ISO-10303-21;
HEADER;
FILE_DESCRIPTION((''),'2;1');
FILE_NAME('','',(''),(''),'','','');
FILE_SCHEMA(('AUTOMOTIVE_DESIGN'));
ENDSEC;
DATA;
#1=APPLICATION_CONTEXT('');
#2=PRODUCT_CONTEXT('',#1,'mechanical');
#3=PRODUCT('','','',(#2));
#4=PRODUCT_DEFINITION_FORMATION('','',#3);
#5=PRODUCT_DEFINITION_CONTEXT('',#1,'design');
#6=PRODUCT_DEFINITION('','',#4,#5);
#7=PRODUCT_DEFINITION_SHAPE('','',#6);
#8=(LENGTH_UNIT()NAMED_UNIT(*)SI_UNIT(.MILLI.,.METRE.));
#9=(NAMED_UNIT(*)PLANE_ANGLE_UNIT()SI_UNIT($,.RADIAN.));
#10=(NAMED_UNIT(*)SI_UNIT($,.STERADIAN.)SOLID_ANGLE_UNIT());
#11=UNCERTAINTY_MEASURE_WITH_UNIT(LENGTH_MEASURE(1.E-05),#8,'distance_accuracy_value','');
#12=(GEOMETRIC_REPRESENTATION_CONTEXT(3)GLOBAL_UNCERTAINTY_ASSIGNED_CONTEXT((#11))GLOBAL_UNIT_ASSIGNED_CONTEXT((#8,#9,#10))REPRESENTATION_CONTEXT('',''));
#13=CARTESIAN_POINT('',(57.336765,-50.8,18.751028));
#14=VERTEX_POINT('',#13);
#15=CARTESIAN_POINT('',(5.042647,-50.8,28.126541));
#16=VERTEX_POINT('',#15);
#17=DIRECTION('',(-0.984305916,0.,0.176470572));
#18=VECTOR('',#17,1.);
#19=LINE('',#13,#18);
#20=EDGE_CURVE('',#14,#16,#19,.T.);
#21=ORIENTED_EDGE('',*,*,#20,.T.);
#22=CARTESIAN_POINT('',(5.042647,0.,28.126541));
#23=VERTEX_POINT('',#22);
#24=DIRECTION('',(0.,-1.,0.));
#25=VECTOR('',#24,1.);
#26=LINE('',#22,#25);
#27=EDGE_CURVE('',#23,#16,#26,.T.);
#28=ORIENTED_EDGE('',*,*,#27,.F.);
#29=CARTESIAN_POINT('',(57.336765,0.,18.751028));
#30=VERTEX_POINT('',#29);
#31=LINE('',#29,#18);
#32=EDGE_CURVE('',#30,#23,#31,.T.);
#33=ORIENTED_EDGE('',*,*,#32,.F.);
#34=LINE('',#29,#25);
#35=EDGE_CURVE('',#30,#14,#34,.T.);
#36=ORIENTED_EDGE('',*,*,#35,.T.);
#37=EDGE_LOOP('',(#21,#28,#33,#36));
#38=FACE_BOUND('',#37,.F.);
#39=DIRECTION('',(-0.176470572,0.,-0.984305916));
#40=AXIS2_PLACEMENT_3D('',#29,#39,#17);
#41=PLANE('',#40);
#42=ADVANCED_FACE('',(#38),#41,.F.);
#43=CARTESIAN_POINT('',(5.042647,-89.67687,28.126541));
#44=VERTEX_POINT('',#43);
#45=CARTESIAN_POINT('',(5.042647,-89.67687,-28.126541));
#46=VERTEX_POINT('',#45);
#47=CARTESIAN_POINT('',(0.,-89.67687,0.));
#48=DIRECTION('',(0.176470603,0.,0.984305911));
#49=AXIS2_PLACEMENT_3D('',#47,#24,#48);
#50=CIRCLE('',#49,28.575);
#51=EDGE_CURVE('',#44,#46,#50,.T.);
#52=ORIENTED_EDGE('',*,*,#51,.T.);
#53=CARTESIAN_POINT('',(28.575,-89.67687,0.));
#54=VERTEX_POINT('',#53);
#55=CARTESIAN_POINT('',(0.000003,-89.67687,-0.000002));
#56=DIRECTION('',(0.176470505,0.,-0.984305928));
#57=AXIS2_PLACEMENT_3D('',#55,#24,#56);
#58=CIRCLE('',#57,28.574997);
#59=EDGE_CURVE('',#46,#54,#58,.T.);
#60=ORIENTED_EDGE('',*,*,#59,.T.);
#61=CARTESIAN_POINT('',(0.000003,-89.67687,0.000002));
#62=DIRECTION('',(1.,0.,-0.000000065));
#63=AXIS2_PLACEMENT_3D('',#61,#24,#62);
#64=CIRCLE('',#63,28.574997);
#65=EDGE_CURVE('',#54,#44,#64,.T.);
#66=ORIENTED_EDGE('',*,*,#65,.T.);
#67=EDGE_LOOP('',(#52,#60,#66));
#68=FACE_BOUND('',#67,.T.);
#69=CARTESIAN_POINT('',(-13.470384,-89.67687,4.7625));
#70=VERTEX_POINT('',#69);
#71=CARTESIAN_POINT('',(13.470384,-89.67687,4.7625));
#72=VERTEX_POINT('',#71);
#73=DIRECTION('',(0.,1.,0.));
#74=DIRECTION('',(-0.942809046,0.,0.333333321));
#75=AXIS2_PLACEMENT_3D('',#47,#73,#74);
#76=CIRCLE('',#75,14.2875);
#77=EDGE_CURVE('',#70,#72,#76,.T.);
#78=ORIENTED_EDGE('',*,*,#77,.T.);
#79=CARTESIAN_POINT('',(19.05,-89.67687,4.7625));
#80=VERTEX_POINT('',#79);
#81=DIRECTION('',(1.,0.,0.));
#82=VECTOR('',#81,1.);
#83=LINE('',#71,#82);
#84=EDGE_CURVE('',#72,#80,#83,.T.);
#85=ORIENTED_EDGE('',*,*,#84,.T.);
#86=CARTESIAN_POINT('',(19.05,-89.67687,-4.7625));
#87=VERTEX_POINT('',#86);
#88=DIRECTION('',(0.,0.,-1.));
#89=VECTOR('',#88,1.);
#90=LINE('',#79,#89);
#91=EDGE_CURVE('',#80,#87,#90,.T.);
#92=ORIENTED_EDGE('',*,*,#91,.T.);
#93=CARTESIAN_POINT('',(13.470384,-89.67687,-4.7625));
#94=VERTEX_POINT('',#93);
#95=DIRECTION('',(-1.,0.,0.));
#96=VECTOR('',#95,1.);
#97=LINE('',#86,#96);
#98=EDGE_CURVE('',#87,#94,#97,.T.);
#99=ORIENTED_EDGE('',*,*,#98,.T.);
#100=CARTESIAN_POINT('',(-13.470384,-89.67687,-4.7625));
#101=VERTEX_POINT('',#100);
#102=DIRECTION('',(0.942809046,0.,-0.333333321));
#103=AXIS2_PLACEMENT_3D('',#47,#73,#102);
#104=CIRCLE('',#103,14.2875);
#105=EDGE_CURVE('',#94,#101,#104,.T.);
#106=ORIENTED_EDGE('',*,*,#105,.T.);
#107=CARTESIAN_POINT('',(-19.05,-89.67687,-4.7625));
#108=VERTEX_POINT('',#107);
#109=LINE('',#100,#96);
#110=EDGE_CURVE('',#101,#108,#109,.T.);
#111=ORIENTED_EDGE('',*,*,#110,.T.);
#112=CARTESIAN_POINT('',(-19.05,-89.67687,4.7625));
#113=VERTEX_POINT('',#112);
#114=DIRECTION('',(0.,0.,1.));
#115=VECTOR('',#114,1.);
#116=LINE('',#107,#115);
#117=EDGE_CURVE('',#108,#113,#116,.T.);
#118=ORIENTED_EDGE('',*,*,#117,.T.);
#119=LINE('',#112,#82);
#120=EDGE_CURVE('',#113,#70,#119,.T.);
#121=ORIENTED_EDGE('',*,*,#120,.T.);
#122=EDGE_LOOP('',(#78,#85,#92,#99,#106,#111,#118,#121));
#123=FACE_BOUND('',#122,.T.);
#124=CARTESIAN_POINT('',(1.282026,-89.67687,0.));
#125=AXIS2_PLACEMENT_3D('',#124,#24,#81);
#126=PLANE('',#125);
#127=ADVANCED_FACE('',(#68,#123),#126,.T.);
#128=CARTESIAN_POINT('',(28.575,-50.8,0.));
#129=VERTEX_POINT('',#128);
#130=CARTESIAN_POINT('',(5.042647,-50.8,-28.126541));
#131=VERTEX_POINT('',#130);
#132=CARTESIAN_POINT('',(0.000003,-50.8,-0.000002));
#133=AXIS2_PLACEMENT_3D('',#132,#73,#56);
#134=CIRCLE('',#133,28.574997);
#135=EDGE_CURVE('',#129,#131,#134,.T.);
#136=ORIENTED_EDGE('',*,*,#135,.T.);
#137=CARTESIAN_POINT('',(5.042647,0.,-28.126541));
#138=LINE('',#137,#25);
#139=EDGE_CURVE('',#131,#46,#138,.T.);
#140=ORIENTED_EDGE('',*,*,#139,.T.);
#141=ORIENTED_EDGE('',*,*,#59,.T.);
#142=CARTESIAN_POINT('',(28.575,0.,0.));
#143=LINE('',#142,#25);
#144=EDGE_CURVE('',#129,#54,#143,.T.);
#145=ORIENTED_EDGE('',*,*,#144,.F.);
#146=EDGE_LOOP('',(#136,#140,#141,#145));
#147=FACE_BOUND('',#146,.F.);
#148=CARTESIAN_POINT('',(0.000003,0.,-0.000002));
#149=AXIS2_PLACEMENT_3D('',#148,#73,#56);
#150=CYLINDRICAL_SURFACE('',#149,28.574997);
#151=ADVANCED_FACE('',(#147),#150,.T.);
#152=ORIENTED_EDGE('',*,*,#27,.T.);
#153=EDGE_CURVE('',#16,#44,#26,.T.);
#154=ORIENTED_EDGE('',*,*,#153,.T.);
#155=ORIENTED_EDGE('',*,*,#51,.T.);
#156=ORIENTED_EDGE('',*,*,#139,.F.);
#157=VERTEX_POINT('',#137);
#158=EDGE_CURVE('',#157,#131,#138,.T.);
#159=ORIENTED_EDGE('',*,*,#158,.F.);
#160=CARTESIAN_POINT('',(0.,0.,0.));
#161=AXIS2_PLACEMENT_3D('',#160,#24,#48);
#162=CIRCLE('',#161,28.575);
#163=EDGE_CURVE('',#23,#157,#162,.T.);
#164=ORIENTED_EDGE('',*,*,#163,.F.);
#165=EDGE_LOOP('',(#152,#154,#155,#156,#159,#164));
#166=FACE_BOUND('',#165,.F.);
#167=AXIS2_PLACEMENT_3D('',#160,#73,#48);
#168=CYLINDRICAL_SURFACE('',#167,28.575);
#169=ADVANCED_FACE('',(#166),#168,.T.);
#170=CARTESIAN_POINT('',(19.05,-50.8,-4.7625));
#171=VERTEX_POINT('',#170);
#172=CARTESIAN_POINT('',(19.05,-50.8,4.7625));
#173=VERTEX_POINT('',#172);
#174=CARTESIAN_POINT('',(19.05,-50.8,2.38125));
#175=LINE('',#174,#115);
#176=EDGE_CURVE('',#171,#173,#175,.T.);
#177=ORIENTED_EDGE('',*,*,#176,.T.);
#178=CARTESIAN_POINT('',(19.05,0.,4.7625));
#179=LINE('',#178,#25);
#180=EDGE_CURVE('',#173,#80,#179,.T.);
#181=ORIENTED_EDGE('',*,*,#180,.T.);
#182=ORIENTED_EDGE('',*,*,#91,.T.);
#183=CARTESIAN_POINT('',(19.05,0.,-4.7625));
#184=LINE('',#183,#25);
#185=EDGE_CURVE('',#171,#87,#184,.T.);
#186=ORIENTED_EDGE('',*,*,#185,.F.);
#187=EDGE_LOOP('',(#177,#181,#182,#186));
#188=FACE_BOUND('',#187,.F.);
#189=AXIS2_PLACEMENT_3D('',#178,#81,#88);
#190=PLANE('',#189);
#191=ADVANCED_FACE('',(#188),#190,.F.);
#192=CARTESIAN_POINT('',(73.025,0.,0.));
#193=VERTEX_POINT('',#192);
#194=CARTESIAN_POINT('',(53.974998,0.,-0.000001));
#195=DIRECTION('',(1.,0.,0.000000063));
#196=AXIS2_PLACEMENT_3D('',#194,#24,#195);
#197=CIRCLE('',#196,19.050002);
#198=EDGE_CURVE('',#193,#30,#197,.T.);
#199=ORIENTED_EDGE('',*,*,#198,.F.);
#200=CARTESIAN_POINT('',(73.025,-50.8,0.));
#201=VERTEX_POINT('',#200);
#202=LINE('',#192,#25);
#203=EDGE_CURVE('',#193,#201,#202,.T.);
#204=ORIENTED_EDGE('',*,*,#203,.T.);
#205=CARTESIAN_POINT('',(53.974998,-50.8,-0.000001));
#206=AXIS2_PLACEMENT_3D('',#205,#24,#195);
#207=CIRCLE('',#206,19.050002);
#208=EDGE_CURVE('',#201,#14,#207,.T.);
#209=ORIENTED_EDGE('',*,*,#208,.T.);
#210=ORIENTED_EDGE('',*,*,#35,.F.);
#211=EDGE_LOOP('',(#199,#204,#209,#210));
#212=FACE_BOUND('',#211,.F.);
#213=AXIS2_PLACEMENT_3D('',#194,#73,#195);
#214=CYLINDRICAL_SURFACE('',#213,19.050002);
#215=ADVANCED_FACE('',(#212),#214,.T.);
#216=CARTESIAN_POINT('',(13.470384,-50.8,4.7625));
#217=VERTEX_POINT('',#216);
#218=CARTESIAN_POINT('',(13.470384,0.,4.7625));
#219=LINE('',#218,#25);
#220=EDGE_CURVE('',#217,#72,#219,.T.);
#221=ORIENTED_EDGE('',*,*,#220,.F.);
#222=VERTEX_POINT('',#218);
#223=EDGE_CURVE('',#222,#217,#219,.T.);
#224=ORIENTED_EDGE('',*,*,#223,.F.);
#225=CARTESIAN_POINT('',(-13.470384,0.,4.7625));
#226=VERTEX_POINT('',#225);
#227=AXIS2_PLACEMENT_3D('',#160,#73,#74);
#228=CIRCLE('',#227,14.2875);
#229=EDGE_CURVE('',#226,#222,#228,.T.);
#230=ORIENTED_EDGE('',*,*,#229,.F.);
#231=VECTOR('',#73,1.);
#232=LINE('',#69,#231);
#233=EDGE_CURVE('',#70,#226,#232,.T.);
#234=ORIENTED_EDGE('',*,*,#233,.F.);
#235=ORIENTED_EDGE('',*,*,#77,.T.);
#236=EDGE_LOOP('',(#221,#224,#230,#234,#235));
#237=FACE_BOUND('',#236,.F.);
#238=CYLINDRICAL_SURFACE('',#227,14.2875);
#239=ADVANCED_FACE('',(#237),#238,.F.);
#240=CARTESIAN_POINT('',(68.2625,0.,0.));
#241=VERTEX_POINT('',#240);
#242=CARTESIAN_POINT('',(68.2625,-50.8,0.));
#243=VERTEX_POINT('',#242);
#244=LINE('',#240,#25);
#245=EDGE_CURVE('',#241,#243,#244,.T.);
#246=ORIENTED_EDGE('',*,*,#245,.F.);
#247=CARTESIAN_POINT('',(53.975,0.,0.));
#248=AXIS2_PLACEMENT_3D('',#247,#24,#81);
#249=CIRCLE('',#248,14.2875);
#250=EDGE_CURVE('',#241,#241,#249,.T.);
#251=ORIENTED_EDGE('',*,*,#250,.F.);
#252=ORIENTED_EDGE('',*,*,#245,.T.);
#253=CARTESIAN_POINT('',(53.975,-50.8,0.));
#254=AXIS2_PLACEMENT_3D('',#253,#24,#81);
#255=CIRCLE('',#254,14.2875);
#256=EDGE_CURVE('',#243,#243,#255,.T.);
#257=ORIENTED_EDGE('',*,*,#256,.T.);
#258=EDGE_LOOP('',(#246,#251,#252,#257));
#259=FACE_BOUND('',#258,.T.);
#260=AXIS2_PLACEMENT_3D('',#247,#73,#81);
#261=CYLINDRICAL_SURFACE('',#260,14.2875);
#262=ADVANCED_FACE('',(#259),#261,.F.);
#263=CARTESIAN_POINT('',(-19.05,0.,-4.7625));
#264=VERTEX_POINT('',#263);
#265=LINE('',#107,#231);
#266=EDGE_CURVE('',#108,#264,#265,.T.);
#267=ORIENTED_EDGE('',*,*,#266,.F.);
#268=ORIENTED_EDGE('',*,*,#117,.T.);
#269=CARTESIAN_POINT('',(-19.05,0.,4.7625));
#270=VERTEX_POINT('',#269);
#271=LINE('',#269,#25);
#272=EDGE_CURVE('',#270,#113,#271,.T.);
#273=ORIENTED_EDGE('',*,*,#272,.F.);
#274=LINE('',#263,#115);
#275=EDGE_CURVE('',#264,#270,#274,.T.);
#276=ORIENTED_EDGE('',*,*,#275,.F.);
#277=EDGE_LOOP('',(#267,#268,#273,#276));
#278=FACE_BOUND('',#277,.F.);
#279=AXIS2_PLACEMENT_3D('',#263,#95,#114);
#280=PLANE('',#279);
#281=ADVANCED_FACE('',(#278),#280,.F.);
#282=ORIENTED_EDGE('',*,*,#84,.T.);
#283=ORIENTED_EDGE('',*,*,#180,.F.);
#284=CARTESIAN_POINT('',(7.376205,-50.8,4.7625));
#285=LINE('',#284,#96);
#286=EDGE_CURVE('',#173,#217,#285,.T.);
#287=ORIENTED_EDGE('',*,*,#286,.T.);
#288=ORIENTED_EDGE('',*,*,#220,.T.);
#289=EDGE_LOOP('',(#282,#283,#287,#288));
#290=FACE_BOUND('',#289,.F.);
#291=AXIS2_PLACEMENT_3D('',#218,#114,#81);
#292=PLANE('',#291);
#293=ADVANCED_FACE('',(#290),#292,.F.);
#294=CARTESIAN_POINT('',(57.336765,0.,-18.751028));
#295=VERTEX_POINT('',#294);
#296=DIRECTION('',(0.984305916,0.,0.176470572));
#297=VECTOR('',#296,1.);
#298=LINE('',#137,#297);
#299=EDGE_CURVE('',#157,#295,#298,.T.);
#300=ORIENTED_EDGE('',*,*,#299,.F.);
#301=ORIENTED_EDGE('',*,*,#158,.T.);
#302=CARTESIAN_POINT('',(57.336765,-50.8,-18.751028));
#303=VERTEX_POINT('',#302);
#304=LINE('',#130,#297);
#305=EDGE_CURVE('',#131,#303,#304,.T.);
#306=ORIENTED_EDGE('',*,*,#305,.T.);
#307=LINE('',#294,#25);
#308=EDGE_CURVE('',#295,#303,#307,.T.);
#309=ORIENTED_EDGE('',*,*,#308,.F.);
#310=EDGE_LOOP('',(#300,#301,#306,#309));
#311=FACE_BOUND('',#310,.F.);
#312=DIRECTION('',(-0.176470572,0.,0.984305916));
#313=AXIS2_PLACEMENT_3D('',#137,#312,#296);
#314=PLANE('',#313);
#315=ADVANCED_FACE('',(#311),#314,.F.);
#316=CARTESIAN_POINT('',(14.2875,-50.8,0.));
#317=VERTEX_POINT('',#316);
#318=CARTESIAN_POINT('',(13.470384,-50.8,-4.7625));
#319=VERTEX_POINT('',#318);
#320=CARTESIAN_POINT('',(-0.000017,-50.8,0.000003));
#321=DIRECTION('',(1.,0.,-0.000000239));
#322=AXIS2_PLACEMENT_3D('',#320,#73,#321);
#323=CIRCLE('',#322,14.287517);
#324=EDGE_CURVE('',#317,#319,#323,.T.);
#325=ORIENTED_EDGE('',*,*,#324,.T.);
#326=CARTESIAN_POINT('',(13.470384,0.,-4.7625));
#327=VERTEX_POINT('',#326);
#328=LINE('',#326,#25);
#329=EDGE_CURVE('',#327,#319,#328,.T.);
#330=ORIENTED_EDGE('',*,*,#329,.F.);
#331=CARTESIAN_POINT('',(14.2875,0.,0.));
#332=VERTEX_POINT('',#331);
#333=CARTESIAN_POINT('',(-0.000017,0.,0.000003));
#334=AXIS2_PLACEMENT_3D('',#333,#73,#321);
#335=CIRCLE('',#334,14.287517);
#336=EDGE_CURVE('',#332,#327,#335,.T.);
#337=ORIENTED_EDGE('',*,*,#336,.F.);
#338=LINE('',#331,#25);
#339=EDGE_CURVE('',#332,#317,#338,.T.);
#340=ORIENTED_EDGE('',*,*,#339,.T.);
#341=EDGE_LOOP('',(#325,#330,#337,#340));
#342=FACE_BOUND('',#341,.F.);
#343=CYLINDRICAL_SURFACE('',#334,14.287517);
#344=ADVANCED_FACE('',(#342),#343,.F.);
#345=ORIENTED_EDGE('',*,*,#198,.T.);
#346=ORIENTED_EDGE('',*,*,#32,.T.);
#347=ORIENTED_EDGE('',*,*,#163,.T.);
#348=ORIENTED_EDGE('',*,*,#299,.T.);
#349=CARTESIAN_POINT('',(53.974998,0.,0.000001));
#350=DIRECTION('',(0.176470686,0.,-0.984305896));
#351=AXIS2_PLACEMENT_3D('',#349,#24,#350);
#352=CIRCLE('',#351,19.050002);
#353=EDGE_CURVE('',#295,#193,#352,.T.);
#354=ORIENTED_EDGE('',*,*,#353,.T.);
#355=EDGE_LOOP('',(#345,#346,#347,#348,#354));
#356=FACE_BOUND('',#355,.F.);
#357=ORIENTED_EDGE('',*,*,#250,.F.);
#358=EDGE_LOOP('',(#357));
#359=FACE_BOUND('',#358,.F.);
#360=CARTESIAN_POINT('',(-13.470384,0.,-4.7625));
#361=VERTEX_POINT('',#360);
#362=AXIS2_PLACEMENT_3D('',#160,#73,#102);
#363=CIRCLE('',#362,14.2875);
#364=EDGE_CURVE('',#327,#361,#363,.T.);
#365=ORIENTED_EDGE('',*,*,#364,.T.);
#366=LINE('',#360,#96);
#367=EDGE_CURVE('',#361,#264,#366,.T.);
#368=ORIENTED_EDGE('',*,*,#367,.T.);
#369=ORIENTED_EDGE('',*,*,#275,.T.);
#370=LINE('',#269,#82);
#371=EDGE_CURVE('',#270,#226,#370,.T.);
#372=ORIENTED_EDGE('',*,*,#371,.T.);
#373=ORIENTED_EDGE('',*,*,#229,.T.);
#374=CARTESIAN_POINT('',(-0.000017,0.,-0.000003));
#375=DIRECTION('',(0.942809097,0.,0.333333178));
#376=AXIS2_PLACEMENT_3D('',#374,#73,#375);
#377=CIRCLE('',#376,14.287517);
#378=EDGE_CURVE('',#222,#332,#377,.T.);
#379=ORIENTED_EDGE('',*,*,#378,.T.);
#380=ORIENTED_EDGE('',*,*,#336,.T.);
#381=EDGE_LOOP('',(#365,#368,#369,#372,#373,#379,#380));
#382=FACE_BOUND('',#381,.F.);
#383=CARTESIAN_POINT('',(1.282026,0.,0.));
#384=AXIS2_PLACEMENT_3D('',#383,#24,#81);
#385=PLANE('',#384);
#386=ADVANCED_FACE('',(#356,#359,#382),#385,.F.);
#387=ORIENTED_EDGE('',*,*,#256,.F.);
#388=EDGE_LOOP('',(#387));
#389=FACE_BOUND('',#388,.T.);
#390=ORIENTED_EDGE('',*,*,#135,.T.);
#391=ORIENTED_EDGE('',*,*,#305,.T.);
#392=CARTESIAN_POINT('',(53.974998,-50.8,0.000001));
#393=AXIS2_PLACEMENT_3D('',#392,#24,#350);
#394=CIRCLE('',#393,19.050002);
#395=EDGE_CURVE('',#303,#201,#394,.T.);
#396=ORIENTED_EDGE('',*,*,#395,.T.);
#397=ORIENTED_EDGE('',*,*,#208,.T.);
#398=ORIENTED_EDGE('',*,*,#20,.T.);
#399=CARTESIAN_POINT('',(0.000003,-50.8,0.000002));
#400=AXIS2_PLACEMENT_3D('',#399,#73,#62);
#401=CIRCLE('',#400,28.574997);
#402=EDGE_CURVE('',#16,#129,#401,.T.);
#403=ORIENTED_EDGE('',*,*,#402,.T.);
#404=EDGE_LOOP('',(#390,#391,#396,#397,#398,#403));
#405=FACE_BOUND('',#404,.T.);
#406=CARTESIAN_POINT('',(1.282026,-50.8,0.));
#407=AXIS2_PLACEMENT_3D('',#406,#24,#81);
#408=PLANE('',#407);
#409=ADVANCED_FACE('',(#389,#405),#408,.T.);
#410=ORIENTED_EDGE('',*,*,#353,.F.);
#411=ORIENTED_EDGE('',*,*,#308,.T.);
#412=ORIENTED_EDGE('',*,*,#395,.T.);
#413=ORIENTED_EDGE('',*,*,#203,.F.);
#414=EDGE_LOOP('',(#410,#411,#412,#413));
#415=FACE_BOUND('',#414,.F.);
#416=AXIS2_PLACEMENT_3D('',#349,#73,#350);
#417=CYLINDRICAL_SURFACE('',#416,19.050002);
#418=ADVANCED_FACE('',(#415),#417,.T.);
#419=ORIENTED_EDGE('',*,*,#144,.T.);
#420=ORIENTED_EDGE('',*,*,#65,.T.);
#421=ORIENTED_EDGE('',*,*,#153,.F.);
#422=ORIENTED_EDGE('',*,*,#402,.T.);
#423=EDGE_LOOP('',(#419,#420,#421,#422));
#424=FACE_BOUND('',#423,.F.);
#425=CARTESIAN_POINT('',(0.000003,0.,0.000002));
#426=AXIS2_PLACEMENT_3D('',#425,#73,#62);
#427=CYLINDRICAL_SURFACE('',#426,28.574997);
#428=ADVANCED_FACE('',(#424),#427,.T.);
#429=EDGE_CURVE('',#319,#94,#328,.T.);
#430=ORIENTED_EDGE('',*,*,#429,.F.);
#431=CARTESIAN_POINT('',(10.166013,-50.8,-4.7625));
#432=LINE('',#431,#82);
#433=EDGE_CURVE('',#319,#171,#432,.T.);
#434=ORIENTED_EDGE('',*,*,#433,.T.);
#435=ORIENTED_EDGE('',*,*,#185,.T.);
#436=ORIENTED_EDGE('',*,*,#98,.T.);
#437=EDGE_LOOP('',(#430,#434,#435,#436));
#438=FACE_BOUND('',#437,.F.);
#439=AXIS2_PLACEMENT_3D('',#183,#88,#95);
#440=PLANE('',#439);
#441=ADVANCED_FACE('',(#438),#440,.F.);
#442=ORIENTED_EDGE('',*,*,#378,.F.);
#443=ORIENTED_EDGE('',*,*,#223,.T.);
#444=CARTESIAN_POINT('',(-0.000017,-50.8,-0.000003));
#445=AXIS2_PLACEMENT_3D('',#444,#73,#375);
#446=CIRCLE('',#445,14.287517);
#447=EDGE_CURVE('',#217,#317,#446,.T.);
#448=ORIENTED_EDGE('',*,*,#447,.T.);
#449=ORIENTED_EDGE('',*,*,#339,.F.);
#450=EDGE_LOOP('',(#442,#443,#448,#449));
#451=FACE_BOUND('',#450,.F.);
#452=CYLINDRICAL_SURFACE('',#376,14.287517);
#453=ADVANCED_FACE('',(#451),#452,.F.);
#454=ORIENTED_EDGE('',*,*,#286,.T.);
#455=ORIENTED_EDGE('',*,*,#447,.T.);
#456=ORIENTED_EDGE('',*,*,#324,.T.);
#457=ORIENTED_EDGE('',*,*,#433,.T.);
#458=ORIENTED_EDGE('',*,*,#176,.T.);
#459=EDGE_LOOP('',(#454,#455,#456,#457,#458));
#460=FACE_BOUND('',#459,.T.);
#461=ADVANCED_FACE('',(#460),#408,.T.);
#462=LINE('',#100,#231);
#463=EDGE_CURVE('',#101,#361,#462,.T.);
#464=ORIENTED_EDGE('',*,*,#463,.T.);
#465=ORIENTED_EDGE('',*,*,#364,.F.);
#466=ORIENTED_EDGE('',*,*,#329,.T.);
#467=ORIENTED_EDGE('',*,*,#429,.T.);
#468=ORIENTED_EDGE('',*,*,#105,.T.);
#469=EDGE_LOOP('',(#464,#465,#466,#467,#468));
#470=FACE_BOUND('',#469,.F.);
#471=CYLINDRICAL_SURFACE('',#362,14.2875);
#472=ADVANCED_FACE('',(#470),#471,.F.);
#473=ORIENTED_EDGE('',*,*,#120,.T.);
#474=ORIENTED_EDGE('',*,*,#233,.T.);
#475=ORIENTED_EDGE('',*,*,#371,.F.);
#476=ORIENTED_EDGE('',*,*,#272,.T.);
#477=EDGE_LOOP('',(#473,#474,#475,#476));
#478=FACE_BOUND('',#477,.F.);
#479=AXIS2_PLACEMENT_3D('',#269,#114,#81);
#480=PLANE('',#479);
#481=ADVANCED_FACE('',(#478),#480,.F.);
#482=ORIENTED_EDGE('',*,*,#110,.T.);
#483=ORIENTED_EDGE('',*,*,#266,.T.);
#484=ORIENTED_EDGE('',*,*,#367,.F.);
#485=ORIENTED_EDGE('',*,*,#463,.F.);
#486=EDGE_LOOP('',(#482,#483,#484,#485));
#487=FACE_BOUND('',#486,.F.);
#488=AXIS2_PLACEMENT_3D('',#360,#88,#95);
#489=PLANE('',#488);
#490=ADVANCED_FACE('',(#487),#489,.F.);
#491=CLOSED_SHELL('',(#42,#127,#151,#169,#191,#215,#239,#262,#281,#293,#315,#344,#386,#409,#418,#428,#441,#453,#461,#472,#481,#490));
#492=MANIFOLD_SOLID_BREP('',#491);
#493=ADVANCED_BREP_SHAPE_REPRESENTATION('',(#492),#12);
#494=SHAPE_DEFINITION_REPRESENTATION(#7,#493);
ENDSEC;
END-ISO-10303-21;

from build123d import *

# Parameters (mm, degrees)
F1_R     = 14.2875
F2_DEPTH = 50.8
F3_DEPTH = 89.67687


with BuildPart() as f2:
    # F1 (on Front) → F2 (new body)
    with BuildSketch(Plane.XZ):
        with BuildLine():
            ThreePointArc((5.042647, -28.126541), (21.916025, -18.336262), (28.575, 0))
            ThreePointArc((28.575, 0), (21.916025, 18.336262), (5.042647, 28.126541))
            ThreePointArc((5.042647, 28.126541), (-28.575, 0), (5.042647, -28.126541))
        make_face()
        with BuildLine():
            ThreePointArc((-13.470384, 4.7625), (0, 14.2875), (13.470384, 4.7625))
            Line((13.470384, 4.7625), (19.05, 4.7625))
            Line((19.05, 4.7625), (19.05, -4.7625))
            Line((19.05, -4.7625), (13.470384, -4.7625))
            ThreePointArc((13.470384, -4.7625), (0, -14.2875), (-13.470384, -4.7625))
            Line((-13.470384, -4.7625), (-19.05, -4.7625))
            Line((-19.05, -4.7625), (-19.05, 4.7625))
            Line((-19.05, 4.7625), (-13.470384, 4.7625))
        make_face(mode=Mode.SUBTRACT)
        with BuildLine():
            ThreePointArc((5.042647, 28.126541), (21.916025, 18.336262), (28.575, 0))
            ThreePointArc((28.575, 0), (21.916025, -18.336262), (5.042647, -28.126541))
            Line((5.042647, -28.126541), (57.336765, -18.751028))
            ThreePointArc((57.336765, -18.751028), (34.925, 0), (57.336765, 18.751028))
            Line((57.336765, 18.751028), (5.042647, 28.126541))
        make_face()
        with BuildLine():
            ThreePointArc((73.025, 0), (68.585683, 12.224174), (57.336765, 18.751028))
            ThreePointArc((57.336765, 18.751028), (34.925, 0), (57.336765, -18.751028))
            ThreePointArc((57.336765, -18.751028), (68.585683, -12.224174), (73.025, 0))
        make_face()
        with Locations((53.975, 0)):
            Circle(F1_R, mode=Mode.SUBTRACT)
        with BuildLine():
            ThreePointArc((13.470384, 4.7625), (14.081739, 2.416045), (14.2875, 0))
            ThreePointArc((14.2875, 0), (14.081739, -2.416045), (13.470384, -4.7625))
            Line((13.470384, -4.7625), (19.05, -4.7625))
            Line((19.05, -4.7625), (19.05, 4.7625))
            Line((19.05, 4.7625), (13.470384, 4.7625))
        make_face()
    extrude(amount=F2_DEPTH)

    # F1 (on Front) → F3 (join)
    with BuildSketch(Plane.XZ):
        with BuildLine():
            ThreePointArc((5.042647, -28.126541), (21.916025, -18.336262), (28.575, 0))
            ThreePointArc((28.575, 0), (21.916025, 18.336262), (5.042647, 28.126541))
            ThreePointArc((5.042647, 28.126541), (-28.575, 0), (5.042647, -28.126541))
        make_face()
        with BuildLine():
            ThreePointArc((-13.470384, 4.7625), (0, 14.2875), (13.470384, 4.7625))
            Line((13.470384, 4.7625), (19.05, 4.7625))
            Line((19.05, 4.7625), (19.05, -4.7625))
            Line((19.05, -4.7625), (13.470384, -4.7625))
            ThreePointArc((13.470384, -4.7625), (0, -14.2875), (-13.470384, -4.7625))
            Line((-13.470384, -4.7625), (-19.05, -4.7625))
            Line((-19.05, -4.7625), (-19.05, 4.7625))
            Line((-19.05, 4.7625), (-13.470384, 4.7625))
        make_face(mode=Mode.SUBTRACT)
    extrude(amount=F3_DEPTH)


solid = f2.part
